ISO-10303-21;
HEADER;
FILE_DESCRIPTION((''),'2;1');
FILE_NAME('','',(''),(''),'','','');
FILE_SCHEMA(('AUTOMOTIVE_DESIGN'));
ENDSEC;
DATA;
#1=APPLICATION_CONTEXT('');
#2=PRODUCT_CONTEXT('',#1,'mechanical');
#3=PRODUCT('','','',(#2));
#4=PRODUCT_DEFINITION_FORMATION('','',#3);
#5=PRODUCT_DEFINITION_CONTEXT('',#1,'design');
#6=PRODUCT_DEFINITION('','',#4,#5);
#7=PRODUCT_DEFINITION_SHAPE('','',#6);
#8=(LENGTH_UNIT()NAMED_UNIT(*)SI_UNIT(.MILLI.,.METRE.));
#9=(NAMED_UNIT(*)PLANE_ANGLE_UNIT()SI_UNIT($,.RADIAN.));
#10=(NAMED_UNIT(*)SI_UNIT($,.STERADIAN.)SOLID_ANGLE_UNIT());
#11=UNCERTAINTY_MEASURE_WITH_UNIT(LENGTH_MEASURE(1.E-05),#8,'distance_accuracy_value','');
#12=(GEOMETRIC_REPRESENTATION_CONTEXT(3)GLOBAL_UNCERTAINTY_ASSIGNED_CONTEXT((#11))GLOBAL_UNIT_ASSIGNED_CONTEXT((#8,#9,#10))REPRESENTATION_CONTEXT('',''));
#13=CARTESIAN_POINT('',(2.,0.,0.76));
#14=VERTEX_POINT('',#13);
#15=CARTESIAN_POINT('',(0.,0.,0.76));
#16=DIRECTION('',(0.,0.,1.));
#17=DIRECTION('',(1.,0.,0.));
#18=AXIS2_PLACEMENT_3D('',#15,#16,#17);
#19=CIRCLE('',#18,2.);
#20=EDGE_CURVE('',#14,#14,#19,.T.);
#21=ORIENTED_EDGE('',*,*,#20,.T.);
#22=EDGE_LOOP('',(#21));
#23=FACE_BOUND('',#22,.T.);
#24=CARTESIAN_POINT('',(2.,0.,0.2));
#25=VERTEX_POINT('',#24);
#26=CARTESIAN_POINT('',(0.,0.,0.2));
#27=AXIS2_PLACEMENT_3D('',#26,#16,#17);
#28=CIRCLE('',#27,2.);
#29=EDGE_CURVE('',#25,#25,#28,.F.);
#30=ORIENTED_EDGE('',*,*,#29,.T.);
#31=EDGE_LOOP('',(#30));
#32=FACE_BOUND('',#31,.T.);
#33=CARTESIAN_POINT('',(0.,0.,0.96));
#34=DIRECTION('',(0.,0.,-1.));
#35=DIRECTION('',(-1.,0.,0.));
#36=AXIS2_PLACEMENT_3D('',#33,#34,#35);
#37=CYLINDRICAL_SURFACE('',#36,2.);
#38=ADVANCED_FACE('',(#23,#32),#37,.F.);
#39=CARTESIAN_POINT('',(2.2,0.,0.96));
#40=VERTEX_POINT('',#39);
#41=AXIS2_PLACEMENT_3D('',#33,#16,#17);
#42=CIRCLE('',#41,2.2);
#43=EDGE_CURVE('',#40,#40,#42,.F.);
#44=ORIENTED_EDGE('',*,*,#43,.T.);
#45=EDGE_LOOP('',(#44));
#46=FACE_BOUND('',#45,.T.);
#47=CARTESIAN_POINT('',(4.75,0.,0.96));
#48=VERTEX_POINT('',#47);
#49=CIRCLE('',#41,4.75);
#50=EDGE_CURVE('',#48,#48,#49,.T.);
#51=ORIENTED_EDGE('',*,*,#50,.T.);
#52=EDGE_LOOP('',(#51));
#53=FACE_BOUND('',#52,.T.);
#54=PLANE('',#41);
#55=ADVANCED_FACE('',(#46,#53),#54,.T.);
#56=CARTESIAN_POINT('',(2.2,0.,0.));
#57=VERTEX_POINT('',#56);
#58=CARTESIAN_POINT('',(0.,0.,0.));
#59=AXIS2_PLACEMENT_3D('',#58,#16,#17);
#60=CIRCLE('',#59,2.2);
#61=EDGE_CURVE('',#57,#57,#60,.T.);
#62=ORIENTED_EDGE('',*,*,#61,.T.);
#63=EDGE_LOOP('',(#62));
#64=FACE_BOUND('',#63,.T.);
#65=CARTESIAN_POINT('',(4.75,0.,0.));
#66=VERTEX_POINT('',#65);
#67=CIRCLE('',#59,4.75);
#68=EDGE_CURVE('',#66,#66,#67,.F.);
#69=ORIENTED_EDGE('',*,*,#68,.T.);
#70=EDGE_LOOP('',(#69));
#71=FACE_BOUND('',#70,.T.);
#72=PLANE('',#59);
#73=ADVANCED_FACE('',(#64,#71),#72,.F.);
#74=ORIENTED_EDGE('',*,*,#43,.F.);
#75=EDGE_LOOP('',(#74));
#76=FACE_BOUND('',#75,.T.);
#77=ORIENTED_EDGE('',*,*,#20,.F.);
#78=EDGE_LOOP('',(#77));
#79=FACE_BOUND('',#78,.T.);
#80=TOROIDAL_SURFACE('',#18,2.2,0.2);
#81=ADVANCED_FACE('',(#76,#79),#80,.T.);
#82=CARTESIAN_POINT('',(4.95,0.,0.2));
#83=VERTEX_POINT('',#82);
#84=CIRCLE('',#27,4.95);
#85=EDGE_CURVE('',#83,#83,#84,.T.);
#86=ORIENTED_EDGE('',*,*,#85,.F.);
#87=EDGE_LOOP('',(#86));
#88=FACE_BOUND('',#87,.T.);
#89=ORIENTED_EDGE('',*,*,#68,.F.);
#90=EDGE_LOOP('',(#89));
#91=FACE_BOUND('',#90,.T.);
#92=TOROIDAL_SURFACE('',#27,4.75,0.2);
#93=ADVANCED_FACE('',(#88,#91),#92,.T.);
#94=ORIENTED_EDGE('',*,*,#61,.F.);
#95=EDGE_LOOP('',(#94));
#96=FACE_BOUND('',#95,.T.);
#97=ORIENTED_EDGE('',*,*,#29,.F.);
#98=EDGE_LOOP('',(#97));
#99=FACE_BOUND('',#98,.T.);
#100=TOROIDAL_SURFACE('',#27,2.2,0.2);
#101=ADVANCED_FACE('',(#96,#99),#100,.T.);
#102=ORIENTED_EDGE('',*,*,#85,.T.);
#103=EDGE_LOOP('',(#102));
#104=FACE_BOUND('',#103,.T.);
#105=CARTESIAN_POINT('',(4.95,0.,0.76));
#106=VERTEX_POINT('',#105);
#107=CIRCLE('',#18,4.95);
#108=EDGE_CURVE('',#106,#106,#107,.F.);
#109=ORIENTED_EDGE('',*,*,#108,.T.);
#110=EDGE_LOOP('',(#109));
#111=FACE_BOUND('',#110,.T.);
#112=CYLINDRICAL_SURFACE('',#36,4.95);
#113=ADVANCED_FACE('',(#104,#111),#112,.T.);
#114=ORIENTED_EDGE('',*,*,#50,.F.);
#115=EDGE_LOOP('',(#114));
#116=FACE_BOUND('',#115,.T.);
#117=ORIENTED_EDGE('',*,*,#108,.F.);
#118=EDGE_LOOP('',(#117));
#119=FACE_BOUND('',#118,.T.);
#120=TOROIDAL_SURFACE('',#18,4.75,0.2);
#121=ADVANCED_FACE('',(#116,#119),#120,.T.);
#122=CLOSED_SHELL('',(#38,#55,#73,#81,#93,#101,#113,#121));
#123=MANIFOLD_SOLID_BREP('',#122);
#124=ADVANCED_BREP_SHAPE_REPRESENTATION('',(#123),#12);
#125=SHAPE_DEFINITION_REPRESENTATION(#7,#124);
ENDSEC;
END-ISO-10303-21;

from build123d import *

# Parameters (mm, degrees)
ESBO_O1_R                = 4.95
ESBO_O1_R_2              = 2
RESSALTO_EXTRUS_O1_DEPTH = 0.96
FILETE1_R                = 0.2


with BuildPart() as part:
    # Esboço1 → Ressalto-extrusão1 (new body)
    with BuildSketch(Plane.XY):
        Circle(ESBO_O1_R)
        Circle(ESBO_O1_R_2, mode=Mode.SUBTRACT)
    extrude(amount=RESSALTO_EXTRUS_O1_DEPTH)

    # Filete1
    filete1_edges = [part.edges().sort_by_distance(p)[0] for p in [
        (-4.95, 0, 0),
        (-4.95, 0, 0.96),
        (-2, 0, 0),
        (-2, 0, 0.96),
    ]]
    fillet(filete1_edges, radius=FILETE1_R)


solid = part.part
